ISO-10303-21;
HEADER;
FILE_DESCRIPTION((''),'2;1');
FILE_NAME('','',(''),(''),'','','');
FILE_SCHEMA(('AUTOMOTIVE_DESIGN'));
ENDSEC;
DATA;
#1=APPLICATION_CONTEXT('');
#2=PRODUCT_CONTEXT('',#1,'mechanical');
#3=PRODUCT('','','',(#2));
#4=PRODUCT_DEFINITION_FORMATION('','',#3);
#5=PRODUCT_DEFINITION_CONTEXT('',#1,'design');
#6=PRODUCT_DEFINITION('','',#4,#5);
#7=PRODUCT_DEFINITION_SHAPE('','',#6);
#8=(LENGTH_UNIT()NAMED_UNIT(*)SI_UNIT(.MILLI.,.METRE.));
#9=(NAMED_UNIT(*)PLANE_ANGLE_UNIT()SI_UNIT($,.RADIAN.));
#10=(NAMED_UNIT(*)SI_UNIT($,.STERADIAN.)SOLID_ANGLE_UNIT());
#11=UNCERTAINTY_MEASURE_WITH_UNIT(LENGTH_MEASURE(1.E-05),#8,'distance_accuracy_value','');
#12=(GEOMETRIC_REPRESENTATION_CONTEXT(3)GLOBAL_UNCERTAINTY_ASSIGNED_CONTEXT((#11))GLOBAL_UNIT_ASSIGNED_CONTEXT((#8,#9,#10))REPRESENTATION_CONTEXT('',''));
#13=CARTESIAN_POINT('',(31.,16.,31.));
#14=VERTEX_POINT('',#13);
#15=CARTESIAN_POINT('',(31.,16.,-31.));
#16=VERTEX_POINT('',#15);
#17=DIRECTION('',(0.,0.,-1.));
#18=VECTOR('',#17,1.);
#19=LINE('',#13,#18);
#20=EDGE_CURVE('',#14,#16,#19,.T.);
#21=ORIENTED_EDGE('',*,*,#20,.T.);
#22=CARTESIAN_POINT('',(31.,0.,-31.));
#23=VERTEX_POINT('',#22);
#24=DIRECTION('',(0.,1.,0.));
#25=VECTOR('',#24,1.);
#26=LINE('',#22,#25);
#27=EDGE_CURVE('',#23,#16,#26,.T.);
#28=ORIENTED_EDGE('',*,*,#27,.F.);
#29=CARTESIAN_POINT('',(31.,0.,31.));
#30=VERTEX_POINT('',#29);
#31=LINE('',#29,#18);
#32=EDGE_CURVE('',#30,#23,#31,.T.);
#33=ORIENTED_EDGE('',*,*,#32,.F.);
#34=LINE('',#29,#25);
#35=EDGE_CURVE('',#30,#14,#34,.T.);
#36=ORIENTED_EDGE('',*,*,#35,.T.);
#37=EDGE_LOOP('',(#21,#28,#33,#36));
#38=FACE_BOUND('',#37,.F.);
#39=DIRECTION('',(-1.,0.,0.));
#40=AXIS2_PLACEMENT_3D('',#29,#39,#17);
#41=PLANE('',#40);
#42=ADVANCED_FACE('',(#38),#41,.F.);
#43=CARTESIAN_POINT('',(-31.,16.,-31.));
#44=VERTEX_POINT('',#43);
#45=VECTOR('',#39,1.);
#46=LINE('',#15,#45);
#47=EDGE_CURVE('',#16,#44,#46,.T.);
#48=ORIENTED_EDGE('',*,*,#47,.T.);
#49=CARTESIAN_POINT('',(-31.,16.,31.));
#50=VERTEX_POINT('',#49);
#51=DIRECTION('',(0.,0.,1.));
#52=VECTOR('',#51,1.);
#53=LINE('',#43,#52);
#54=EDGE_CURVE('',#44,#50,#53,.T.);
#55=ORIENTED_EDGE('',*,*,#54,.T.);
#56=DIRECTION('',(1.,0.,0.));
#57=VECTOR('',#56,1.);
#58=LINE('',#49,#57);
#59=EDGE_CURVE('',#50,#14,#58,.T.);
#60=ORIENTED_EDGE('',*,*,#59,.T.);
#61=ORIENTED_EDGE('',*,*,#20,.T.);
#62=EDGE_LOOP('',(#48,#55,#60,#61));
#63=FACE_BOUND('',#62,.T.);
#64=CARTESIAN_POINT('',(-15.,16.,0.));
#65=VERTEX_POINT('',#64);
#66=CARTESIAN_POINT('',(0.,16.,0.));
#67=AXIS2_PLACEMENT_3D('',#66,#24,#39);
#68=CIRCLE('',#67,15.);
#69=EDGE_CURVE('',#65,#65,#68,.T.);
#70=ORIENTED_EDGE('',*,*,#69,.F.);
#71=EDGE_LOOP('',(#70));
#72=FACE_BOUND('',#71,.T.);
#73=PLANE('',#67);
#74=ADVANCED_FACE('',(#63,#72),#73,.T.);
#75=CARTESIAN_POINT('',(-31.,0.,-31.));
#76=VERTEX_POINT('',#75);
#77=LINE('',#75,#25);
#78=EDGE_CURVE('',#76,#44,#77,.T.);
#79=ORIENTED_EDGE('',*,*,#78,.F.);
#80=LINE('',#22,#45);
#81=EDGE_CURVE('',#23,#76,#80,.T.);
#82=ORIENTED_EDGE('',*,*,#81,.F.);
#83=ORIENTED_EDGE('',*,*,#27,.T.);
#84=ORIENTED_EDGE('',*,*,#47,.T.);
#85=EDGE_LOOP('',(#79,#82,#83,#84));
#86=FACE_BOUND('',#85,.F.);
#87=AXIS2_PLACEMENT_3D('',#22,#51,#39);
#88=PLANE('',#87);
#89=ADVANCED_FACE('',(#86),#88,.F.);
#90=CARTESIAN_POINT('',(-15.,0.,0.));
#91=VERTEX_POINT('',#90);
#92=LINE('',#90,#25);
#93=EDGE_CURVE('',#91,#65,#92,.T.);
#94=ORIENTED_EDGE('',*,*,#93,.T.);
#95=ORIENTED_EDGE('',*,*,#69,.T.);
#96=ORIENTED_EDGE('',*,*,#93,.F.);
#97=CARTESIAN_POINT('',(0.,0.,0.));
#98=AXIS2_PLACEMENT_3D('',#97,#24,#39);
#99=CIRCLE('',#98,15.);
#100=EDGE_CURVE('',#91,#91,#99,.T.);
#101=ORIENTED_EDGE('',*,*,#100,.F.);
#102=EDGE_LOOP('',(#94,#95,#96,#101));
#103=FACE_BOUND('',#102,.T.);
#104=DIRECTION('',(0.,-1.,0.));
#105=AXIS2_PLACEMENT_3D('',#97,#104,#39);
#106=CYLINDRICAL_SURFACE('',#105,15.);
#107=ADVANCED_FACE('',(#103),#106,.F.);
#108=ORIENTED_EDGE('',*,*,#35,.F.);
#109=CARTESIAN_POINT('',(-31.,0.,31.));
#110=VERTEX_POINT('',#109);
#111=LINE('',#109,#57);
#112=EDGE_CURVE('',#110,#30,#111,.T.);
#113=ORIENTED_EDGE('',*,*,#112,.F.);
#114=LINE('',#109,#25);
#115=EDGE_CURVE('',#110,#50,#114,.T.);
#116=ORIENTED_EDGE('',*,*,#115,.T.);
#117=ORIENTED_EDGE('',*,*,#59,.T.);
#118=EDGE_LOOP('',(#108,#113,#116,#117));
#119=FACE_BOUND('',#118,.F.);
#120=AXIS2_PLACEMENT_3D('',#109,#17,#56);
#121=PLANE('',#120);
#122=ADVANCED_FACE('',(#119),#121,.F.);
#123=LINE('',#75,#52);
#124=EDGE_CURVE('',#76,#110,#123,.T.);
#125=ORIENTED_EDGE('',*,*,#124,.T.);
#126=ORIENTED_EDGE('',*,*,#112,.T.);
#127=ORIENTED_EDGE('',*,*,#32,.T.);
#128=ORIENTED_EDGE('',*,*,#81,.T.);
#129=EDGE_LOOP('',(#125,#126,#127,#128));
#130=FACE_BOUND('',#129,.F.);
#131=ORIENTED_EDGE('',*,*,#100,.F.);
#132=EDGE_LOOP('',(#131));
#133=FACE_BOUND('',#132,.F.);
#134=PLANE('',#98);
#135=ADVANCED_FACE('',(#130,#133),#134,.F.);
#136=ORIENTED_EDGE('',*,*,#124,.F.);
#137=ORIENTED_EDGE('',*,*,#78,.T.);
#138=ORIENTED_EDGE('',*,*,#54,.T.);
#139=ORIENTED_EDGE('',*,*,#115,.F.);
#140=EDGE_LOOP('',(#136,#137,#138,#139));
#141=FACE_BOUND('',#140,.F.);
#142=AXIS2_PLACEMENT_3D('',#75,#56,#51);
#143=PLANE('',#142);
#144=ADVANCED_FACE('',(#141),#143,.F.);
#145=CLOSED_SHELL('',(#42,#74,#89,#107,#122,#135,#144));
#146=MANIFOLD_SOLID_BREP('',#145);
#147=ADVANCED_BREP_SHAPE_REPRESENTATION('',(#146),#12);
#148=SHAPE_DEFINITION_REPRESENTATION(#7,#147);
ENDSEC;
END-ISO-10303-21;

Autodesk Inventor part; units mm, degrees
ref_plane "YZ Plane" through (0, 0, 0) normal (1, 0, 0) x (0, 1, 0)
ref_plane "XZ Plane" through (0, 0, 0) normal (0, 1, 0) x (-1, 0, 0)
ref_plane "XY Plane" through (0, 0, 0) normal (0, 0, 1) x (1, 0, 0)
sketch "スケッチ1" plane through (0, 0, 0) normal (0, 1, 0) x (-1, 0, 0)
  circle A0 centre (0, 0) radius 15
  line L0 (31, 31) -> (-31, 31)
  line L1 (-31, 31) -> (-31, -31)
  line L2 (-31, -31) -> (31, -31)
  line L3 (31, -31) -> (31, 31)
  line L4 (31, 31) -> (-31, -31) construction
  line L5 (-31, 31) -> (31, -31) construction
  dimension "d0" = 30
  dimension "d1" = 62
  dimension "d2" = 62
extrude "押し出し1" add sketch "スケッチ1" along normal blind 16
properties part number "bearing2b"
